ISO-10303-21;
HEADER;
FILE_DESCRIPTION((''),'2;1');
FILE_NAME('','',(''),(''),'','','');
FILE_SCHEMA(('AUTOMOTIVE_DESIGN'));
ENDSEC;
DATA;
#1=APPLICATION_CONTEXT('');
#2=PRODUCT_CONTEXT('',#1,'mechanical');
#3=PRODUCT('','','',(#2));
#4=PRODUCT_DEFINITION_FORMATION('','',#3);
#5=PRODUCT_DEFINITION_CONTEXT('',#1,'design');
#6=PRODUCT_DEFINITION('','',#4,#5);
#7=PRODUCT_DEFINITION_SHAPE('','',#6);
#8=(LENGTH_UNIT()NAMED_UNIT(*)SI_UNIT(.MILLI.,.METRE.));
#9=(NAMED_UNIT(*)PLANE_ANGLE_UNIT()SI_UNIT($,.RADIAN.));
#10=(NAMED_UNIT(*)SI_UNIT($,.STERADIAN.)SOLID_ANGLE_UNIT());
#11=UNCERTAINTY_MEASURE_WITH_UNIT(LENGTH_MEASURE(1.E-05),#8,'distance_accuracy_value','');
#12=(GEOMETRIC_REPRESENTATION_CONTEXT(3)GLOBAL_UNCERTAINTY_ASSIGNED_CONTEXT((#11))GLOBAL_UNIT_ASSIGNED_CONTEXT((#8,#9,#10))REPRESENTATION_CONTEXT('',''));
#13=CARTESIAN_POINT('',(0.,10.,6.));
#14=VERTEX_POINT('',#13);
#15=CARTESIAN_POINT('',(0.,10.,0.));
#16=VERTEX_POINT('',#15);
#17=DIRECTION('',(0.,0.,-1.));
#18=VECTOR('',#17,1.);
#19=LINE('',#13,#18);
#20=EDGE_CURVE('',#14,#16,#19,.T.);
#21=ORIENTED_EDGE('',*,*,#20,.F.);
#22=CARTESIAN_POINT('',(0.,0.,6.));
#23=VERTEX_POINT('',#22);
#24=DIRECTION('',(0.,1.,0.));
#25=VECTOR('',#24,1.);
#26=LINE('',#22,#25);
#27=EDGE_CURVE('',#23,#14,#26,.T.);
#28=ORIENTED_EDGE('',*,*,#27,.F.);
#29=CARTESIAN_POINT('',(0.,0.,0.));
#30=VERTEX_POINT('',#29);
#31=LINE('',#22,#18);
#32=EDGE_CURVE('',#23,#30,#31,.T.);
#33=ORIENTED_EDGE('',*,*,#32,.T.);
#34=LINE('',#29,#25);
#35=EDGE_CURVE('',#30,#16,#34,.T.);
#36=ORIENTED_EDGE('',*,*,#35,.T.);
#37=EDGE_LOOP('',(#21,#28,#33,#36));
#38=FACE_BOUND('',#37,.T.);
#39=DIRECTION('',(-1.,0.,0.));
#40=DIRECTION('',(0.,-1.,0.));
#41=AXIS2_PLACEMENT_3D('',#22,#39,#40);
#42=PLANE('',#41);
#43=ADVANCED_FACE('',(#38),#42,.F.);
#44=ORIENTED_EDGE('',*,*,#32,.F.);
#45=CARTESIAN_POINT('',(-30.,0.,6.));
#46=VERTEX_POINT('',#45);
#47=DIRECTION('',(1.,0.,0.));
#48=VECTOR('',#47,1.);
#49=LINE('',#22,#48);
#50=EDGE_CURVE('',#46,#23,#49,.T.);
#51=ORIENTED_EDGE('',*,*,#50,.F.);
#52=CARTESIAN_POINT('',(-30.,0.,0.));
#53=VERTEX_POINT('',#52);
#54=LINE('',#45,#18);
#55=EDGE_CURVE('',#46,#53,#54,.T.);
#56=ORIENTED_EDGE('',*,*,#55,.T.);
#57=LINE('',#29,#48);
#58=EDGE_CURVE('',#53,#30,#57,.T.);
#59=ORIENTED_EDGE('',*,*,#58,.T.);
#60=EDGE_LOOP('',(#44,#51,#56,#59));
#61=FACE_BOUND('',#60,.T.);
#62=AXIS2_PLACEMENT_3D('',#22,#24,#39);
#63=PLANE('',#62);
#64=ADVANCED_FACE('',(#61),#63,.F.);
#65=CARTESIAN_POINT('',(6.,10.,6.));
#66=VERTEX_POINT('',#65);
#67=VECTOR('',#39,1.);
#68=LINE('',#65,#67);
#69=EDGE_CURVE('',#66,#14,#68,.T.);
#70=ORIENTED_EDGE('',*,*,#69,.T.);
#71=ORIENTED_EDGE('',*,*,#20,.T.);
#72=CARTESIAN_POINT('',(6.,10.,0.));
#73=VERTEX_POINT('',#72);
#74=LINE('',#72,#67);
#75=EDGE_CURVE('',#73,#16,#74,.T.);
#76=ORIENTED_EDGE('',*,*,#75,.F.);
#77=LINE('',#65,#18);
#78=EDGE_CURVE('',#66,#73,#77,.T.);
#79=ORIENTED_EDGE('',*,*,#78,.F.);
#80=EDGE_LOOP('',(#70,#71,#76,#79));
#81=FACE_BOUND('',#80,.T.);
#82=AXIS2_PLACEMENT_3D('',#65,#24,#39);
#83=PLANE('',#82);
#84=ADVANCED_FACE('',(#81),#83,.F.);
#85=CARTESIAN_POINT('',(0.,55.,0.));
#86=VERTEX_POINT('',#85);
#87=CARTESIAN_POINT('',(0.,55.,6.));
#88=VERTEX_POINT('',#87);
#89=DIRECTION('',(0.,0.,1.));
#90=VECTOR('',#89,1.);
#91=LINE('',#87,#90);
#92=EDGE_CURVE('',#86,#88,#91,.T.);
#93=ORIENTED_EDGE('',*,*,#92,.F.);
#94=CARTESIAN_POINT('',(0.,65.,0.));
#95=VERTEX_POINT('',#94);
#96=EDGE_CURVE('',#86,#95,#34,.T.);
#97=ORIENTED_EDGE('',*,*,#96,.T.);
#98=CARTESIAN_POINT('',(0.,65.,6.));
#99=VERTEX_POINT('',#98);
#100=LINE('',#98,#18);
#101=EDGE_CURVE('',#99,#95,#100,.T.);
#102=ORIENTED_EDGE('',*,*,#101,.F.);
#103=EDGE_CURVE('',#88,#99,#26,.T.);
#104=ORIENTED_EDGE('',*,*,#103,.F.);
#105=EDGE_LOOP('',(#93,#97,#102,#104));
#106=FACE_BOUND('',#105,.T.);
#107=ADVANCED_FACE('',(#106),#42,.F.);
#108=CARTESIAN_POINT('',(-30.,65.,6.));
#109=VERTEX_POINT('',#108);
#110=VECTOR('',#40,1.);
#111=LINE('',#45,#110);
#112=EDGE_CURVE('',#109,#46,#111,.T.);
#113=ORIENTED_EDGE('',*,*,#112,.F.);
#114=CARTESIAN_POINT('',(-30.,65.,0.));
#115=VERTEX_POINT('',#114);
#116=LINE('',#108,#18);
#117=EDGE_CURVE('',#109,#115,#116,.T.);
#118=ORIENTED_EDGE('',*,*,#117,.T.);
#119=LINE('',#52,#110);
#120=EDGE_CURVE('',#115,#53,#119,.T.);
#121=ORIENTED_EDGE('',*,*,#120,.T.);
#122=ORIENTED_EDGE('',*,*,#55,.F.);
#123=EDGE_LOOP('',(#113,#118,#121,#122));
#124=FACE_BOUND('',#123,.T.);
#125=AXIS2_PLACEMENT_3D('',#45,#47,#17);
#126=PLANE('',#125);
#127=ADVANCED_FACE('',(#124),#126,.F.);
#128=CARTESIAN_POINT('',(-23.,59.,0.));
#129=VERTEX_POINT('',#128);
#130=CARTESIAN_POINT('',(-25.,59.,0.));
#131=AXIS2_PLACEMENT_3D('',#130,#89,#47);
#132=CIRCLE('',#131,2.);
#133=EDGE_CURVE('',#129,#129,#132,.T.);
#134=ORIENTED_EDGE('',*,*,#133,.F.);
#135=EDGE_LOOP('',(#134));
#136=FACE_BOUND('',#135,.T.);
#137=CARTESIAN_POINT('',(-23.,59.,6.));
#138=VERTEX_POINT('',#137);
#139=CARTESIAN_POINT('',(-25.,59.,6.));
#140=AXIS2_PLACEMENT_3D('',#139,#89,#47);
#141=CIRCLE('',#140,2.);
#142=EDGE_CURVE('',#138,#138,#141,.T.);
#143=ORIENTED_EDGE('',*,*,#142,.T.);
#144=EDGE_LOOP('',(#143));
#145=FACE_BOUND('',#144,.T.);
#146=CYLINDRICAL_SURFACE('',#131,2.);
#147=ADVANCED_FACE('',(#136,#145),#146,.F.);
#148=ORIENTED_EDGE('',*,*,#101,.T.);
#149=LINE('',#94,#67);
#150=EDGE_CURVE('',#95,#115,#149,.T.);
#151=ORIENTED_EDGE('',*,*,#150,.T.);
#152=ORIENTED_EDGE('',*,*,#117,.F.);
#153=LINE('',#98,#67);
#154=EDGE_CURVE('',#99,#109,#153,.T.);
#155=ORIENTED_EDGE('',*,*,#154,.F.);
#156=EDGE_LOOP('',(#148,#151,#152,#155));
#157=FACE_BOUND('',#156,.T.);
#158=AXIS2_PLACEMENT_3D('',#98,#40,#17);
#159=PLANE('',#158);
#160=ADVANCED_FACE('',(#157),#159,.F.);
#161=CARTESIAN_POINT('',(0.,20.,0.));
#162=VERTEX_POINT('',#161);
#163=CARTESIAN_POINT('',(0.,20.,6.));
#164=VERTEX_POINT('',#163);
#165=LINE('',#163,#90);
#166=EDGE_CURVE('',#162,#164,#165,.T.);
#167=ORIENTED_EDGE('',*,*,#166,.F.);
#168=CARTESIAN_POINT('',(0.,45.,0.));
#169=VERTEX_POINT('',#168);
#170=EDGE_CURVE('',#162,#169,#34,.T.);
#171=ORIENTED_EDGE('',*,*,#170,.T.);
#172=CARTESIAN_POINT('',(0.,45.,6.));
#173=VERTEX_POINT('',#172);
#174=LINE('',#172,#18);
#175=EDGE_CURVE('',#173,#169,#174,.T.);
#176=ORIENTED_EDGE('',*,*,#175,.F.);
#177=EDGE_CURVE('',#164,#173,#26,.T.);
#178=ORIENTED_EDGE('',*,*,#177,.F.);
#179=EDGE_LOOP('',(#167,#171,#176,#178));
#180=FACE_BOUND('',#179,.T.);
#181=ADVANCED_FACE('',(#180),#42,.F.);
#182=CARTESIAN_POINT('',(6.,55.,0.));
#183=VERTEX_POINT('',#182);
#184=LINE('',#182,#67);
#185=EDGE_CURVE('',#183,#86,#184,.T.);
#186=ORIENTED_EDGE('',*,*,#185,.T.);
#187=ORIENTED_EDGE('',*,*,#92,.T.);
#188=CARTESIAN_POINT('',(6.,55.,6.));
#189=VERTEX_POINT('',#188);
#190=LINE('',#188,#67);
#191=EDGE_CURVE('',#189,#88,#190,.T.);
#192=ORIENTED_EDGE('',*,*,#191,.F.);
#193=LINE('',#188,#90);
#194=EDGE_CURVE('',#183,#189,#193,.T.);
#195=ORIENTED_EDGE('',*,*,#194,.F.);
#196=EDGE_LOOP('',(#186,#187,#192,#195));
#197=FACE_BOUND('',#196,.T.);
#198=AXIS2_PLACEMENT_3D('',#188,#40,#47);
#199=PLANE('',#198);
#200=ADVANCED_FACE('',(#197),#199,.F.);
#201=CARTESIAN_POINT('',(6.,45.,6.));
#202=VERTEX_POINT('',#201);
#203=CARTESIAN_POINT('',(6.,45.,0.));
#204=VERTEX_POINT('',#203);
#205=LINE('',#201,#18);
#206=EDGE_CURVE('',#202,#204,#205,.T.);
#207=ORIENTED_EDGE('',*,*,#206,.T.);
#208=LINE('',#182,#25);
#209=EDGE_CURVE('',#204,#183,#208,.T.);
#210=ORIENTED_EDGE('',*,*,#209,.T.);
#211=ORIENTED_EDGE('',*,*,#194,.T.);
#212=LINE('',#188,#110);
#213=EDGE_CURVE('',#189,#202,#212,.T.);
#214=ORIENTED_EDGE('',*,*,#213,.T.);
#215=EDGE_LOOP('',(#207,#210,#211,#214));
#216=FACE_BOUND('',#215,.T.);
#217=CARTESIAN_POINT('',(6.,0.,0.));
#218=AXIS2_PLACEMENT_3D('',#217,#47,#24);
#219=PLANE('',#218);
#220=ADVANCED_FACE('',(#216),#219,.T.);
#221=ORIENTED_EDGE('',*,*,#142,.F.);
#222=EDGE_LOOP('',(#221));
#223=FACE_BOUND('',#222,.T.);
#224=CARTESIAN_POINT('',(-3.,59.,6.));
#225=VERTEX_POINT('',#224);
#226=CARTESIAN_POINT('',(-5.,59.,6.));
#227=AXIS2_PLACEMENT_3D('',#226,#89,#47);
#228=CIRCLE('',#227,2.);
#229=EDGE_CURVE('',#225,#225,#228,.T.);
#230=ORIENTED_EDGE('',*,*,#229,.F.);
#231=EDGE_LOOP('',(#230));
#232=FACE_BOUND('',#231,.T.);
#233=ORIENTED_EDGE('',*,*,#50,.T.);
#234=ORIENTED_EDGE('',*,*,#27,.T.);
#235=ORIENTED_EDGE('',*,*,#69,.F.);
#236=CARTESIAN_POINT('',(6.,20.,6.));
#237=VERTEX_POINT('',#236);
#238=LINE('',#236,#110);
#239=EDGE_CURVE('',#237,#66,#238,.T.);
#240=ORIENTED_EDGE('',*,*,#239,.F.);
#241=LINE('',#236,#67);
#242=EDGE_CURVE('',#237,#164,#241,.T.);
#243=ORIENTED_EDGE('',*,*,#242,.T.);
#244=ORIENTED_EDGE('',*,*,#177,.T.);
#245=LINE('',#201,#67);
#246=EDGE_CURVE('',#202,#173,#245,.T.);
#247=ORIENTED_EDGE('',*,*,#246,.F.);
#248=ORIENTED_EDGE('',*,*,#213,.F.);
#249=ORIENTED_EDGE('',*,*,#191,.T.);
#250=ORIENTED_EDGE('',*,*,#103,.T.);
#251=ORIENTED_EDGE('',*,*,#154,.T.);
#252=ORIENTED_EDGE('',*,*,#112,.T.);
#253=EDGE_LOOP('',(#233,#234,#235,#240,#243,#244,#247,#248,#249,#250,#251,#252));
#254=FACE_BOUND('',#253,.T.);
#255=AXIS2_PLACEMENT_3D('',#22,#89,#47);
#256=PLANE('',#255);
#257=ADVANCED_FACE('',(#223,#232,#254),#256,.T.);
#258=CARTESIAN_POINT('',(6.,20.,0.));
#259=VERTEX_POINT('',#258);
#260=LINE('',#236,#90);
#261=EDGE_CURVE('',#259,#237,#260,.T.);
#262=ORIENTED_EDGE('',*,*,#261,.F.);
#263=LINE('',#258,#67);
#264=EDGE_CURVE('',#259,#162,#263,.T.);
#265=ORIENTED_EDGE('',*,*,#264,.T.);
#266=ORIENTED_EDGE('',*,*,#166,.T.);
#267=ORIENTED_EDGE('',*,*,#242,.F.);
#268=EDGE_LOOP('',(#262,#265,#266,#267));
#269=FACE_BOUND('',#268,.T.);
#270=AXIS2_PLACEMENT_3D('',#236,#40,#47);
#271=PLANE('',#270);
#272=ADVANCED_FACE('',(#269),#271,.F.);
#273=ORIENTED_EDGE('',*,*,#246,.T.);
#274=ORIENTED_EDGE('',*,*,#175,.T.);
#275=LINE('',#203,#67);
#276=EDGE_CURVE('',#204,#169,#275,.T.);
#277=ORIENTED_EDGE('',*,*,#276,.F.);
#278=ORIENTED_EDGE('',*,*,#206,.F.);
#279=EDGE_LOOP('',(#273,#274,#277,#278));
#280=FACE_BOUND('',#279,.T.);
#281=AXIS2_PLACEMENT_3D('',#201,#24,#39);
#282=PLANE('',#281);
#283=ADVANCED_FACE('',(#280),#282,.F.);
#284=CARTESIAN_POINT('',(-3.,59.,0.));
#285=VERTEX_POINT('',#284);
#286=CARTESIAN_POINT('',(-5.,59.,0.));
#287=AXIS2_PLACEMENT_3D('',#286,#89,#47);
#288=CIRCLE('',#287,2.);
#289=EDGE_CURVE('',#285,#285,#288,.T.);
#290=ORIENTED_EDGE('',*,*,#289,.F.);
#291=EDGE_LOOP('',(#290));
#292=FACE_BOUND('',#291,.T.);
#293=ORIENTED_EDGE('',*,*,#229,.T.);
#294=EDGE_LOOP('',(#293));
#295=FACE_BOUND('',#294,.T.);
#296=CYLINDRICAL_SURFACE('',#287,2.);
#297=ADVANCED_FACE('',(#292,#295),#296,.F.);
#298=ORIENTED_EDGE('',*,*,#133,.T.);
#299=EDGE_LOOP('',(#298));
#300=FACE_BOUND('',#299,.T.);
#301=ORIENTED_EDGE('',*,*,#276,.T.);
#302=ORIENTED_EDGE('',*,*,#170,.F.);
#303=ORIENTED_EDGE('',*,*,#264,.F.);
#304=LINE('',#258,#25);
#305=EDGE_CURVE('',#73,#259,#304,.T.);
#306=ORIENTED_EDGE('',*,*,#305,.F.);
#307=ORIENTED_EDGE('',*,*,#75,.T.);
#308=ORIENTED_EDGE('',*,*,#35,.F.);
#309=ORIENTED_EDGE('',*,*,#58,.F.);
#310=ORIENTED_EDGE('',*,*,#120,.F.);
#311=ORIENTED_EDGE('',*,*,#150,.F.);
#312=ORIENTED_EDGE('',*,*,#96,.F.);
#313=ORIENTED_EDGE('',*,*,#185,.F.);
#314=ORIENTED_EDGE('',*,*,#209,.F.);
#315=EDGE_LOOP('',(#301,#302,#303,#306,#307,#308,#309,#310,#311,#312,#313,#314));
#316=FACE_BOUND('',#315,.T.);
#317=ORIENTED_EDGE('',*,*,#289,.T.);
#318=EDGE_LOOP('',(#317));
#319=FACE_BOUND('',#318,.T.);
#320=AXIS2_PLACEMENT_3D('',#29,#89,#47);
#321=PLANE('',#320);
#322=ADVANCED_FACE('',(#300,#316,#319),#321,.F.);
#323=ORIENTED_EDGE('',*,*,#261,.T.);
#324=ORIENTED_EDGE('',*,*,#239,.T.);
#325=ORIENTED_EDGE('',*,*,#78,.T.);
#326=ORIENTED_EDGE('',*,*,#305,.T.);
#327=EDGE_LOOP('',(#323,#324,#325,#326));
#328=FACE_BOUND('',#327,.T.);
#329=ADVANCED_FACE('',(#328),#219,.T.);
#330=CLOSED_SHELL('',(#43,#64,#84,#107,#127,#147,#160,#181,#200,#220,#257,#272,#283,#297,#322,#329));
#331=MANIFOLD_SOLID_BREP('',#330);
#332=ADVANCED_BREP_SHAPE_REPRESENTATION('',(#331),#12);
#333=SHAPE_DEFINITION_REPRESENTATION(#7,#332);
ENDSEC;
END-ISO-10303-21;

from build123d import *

# Parameters (mm, degrees)
ESQUISSE1_W             = 30
ESQUISSE1_H             = 65
BOSS_EXTRU_1_DEPTH      = 6
ESQUISSE2_W             = 6
ESQUISSE2_H             = 10
BOSS_EXTRU_3_DEPTH      = 6
ESQUISSE3_R             = 2
ENL_V_MAT_EXTRU_1_DEPTH = 6


with BuildPart() as part:
    # Esquisse1 → Boss.-Extru.1 (new body)
    with BuildSketch(Plane.XY):
        with Locations((-15, 32.5)):
            Rectangle(ESQUISSE1_W, ESQUISSE1_H)
    extrude(amount=BOSS_EXTRU_1_DEPTH)

    # Esquisse2 → Boss.-Extru.3 (add)
    with BuildSketch(Plane(origin=(0, 0, 0), x_dir=(0, 0, -1), z_dir=(1, 0, 0))):
        with Locations((-3, 15)):
            Rectangle(ESQUISSE2_W, ESQUISSE2_H)
        with Locations((-3, 50)):
            Rectangle(ESQUISSE2_W, ESQUISSE2_H)
    extrude(amount=BOSS_EXTRU_3_DEPTH)

    # Esquisse3 → Enlèv. mat.-Extru.1 (cut)
    with BuildSketch(Plane.XY.offset(6)):
        with Locations((-25, 59)):
            Circle(ESQUISSE3_R)
        with Locations((-5, 59)):
            Circle(ESQUISSE3_R)
    extrude(amount=-ENL_V_MAT_EXTRU_1_DEPTH, mode=Mode.SUBTRACT)


solid = part.part
